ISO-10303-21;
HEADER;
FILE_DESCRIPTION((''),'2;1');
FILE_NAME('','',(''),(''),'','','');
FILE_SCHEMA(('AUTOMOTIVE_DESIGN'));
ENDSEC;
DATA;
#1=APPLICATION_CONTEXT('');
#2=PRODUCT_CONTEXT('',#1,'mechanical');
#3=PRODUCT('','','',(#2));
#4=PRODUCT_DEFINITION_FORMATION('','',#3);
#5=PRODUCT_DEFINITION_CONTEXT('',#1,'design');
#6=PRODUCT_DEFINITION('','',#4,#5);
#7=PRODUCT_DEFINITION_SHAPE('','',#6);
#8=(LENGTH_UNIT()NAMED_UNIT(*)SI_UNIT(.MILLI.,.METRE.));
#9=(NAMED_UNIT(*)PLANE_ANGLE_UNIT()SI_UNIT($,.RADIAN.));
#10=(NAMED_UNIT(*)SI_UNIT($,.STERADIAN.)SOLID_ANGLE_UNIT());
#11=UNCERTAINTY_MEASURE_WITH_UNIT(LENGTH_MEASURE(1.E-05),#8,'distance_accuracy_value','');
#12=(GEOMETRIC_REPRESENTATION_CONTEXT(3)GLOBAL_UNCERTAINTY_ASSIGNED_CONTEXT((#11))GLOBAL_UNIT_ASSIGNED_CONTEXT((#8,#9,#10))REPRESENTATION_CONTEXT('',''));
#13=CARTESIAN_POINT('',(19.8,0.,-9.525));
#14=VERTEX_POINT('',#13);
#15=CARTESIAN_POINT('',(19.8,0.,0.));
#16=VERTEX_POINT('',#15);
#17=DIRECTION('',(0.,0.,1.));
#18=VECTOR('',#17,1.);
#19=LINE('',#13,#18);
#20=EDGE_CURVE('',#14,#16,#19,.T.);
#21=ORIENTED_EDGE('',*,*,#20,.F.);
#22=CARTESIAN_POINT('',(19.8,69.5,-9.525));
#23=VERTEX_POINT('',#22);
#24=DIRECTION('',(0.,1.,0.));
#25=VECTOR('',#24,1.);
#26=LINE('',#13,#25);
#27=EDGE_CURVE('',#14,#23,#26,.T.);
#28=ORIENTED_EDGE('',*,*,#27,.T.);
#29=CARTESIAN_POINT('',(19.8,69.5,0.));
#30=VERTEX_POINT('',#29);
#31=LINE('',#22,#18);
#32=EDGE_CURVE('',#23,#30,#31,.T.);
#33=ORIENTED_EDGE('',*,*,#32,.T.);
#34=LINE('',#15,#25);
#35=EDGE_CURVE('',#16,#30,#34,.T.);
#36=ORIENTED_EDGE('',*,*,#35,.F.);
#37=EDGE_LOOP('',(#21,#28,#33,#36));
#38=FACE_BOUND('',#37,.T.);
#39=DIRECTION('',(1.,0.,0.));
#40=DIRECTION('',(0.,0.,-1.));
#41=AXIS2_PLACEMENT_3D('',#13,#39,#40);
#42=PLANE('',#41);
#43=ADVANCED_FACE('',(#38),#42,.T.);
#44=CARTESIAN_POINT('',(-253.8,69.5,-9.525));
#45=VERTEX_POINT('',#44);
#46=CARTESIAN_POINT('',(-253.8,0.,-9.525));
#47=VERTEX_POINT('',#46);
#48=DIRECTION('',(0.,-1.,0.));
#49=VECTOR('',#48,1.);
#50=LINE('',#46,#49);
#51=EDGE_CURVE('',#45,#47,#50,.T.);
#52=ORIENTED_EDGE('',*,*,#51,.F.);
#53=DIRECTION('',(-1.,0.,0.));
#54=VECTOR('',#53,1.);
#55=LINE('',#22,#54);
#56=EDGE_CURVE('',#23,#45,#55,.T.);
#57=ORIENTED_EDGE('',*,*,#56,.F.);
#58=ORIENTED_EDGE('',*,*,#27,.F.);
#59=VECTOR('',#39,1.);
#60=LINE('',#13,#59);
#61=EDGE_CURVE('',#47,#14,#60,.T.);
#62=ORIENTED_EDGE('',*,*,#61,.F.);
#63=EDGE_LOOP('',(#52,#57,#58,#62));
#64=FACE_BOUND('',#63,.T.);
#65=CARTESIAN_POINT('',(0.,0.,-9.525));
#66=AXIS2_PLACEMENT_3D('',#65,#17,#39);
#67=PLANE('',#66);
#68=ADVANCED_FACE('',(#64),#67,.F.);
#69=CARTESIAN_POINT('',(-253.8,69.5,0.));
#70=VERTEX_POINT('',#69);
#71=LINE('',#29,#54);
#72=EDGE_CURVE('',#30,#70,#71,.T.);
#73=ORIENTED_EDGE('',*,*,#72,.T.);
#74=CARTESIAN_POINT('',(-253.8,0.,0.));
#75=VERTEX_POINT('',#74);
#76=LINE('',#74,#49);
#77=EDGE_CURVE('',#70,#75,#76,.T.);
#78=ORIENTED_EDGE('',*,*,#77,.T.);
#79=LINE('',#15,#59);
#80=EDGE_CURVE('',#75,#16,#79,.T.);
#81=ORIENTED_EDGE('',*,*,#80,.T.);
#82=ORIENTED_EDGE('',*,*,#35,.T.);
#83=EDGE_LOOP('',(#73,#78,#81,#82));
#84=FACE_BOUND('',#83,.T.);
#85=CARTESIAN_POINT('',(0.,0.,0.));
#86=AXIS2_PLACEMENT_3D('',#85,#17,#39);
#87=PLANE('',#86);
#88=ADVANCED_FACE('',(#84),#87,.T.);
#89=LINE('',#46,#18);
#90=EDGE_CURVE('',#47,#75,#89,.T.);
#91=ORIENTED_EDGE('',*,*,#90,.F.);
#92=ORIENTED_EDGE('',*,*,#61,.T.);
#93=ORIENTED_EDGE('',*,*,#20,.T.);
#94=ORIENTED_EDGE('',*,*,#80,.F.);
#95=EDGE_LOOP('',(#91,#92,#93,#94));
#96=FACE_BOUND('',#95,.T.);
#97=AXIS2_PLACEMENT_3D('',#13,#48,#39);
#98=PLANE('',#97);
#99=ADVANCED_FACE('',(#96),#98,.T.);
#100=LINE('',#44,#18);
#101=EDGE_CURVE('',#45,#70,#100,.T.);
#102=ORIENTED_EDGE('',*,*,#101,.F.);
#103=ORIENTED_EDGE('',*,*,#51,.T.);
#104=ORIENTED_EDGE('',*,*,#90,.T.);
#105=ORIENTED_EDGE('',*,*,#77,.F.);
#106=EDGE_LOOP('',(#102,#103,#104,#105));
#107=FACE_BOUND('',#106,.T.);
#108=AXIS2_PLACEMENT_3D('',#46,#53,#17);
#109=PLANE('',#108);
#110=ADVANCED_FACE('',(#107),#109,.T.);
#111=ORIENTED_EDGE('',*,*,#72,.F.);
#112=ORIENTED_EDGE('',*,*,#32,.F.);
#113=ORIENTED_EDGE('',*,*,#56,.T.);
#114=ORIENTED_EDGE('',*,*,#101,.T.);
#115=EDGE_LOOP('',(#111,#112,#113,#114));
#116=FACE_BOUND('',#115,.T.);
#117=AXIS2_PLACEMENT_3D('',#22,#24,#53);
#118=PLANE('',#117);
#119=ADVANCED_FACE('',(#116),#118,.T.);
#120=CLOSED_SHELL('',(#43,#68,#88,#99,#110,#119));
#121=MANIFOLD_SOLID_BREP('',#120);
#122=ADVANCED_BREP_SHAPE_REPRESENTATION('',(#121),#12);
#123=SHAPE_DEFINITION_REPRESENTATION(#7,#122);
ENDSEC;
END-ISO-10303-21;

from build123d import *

# Parameters (mm, degrees)
SKETCH1_W           = 273.600000032
SKETCH1_H           = 69.5
BOSS_EXTRUDE1_DEPTH = 9.525


with BuildPart() as part:
    # Sketch1 → Boss-Extrude1 (new body)
    with BuildSketch(Plane.XY):
        with Locations((-117, 34.75)):
            Rectangle(SKETCH1_W, SKETCH1_H)
    extrude(amount=-BOSS_EXTRUDE1_DEPTH)


solid = part.part
